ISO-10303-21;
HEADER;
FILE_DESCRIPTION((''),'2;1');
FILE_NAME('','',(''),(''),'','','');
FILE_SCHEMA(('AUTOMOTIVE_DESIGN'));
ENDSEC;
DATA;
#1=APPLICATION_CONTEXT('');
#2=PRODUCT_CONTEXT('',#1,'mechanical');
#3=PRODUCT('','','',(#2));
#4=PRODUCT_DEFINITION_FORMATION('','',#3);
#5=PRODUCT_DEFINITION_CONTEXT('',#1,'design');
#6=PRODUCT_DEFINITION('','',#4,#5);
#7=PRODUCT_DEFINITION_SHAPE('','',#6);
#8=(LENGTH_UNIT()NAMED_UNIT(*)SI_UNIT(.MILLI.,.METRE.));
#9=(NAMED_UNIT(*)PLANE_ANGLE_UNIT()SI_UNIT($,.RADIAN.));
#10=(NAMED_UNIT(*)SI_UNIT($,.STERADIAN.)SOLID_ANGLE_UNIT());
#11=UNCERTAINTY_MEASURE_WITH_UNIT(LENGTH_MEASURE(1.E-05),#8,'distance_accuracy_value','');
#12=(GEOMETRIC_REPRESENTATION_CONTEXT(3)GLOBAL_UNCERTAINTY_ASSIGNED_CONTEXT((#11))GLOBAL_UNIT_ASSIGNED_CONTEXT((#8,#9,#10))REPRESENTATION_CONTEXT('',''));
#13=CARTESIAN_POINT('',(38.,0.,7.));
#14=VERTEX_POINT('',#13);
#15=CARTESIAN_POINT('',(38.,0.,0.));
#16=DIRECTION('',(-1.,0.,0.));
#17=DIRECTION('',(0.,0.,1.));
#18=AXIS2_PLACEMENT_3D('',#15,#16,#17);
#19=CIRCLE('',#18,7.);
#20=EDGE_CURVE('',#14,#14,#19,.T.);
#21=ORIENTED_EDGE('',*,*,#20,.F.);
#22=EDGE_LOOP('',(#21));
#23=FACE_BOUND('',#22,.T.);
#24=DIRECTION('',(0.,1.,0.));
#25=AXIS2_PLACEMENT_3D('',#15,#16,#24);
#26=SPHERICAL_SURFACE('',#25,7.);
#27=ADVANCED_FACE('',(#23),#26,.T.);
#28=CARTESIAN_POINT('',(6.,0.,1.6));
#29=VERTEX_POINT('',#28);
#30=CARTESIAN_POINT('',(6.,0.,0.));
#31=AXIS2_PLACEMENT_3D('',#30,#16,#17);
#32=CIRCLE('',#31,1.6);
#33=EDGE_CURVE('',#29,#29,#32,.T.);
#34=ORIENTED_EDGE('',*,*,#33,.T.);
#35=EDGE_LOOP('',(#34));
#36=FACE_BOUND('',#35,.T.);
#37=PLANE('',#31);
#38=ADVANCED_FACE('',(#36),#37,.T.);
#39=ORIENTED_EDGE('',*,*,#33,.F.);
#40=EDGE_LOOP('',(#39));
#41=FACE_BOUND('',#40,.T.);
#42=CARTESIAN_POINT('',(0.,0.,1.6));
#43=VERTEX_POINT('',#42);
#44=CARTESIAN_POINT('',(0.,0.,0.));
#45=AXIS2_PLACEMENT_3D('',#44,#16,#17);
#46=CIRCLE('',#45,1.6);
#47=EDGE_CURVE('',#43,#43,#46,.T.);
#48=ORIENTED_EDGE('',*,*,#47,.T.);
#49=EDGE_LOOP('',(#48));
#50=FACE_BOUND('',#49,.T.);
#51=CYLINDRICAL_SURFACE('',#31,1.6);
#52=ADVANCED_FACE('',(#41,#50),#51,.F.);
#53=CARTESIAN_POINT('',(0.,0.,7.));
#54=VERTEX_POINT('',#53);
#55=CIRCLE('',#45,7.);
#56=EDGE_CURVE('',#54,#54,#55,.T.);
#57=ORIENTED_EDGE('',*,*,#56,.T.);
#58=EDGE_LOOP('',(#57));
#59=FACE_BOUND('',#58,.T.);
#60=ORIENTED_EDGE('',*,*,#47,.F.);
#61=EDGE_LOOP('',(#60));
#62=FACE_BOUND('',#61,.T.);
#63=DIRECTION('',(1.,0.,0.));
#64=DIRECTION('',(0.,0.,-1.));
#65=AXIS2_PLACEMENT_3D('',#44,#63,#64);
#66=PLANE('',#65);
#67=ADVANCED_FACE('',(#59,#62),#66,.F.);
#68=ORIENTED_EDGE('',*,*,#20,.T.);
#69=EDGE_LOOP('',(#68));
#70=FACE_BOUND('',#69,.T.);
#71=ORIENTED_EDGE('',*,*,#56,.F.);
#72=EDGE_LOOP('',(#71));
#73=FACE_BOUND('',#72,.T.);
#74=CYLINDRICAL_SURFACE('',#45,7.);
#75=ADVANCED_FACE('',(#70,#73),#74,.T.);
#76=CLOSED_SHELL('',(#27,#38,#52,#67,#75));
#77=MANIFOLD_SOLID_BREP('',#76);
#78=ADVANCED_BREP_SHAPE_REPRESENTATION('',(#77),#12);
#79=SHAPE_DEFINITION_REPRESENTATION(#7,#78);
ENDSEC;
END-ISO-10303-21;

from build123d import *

# Parameters (mm, degrees)
CROQUIS3_R            = 1.6
CORTAR_EXTRUIR1_DEPTH = 6


with BuildPart() as part:
    # Croquis2 → Revolución1 (revolve)
    with BuildSketch(Plane.XY):
        with BuildLine():
            Line((0, 0), (38, 0))
            Line((38, 0), (45, 0))
            ThreePointArc((45, 0), (42.949747468, 4.949747468), (38, 7))
            Line((38, 7), (0, 7))
            Line((0, 7), (0, 0))
        make_face()
    revolve(axis=Axis((0, 0, 0), (1, 0, 0)))

    # Croquis3 → Cortar-Extruir1 (cut)
    with BuildSketch(Plane.ZY):
        Circle(CROQUIS3_R)
    extrude(amount=-CORTAR_EXTRUIR1_DEPTH, mode=Mode.SUBTRACT)


solid = part.part
